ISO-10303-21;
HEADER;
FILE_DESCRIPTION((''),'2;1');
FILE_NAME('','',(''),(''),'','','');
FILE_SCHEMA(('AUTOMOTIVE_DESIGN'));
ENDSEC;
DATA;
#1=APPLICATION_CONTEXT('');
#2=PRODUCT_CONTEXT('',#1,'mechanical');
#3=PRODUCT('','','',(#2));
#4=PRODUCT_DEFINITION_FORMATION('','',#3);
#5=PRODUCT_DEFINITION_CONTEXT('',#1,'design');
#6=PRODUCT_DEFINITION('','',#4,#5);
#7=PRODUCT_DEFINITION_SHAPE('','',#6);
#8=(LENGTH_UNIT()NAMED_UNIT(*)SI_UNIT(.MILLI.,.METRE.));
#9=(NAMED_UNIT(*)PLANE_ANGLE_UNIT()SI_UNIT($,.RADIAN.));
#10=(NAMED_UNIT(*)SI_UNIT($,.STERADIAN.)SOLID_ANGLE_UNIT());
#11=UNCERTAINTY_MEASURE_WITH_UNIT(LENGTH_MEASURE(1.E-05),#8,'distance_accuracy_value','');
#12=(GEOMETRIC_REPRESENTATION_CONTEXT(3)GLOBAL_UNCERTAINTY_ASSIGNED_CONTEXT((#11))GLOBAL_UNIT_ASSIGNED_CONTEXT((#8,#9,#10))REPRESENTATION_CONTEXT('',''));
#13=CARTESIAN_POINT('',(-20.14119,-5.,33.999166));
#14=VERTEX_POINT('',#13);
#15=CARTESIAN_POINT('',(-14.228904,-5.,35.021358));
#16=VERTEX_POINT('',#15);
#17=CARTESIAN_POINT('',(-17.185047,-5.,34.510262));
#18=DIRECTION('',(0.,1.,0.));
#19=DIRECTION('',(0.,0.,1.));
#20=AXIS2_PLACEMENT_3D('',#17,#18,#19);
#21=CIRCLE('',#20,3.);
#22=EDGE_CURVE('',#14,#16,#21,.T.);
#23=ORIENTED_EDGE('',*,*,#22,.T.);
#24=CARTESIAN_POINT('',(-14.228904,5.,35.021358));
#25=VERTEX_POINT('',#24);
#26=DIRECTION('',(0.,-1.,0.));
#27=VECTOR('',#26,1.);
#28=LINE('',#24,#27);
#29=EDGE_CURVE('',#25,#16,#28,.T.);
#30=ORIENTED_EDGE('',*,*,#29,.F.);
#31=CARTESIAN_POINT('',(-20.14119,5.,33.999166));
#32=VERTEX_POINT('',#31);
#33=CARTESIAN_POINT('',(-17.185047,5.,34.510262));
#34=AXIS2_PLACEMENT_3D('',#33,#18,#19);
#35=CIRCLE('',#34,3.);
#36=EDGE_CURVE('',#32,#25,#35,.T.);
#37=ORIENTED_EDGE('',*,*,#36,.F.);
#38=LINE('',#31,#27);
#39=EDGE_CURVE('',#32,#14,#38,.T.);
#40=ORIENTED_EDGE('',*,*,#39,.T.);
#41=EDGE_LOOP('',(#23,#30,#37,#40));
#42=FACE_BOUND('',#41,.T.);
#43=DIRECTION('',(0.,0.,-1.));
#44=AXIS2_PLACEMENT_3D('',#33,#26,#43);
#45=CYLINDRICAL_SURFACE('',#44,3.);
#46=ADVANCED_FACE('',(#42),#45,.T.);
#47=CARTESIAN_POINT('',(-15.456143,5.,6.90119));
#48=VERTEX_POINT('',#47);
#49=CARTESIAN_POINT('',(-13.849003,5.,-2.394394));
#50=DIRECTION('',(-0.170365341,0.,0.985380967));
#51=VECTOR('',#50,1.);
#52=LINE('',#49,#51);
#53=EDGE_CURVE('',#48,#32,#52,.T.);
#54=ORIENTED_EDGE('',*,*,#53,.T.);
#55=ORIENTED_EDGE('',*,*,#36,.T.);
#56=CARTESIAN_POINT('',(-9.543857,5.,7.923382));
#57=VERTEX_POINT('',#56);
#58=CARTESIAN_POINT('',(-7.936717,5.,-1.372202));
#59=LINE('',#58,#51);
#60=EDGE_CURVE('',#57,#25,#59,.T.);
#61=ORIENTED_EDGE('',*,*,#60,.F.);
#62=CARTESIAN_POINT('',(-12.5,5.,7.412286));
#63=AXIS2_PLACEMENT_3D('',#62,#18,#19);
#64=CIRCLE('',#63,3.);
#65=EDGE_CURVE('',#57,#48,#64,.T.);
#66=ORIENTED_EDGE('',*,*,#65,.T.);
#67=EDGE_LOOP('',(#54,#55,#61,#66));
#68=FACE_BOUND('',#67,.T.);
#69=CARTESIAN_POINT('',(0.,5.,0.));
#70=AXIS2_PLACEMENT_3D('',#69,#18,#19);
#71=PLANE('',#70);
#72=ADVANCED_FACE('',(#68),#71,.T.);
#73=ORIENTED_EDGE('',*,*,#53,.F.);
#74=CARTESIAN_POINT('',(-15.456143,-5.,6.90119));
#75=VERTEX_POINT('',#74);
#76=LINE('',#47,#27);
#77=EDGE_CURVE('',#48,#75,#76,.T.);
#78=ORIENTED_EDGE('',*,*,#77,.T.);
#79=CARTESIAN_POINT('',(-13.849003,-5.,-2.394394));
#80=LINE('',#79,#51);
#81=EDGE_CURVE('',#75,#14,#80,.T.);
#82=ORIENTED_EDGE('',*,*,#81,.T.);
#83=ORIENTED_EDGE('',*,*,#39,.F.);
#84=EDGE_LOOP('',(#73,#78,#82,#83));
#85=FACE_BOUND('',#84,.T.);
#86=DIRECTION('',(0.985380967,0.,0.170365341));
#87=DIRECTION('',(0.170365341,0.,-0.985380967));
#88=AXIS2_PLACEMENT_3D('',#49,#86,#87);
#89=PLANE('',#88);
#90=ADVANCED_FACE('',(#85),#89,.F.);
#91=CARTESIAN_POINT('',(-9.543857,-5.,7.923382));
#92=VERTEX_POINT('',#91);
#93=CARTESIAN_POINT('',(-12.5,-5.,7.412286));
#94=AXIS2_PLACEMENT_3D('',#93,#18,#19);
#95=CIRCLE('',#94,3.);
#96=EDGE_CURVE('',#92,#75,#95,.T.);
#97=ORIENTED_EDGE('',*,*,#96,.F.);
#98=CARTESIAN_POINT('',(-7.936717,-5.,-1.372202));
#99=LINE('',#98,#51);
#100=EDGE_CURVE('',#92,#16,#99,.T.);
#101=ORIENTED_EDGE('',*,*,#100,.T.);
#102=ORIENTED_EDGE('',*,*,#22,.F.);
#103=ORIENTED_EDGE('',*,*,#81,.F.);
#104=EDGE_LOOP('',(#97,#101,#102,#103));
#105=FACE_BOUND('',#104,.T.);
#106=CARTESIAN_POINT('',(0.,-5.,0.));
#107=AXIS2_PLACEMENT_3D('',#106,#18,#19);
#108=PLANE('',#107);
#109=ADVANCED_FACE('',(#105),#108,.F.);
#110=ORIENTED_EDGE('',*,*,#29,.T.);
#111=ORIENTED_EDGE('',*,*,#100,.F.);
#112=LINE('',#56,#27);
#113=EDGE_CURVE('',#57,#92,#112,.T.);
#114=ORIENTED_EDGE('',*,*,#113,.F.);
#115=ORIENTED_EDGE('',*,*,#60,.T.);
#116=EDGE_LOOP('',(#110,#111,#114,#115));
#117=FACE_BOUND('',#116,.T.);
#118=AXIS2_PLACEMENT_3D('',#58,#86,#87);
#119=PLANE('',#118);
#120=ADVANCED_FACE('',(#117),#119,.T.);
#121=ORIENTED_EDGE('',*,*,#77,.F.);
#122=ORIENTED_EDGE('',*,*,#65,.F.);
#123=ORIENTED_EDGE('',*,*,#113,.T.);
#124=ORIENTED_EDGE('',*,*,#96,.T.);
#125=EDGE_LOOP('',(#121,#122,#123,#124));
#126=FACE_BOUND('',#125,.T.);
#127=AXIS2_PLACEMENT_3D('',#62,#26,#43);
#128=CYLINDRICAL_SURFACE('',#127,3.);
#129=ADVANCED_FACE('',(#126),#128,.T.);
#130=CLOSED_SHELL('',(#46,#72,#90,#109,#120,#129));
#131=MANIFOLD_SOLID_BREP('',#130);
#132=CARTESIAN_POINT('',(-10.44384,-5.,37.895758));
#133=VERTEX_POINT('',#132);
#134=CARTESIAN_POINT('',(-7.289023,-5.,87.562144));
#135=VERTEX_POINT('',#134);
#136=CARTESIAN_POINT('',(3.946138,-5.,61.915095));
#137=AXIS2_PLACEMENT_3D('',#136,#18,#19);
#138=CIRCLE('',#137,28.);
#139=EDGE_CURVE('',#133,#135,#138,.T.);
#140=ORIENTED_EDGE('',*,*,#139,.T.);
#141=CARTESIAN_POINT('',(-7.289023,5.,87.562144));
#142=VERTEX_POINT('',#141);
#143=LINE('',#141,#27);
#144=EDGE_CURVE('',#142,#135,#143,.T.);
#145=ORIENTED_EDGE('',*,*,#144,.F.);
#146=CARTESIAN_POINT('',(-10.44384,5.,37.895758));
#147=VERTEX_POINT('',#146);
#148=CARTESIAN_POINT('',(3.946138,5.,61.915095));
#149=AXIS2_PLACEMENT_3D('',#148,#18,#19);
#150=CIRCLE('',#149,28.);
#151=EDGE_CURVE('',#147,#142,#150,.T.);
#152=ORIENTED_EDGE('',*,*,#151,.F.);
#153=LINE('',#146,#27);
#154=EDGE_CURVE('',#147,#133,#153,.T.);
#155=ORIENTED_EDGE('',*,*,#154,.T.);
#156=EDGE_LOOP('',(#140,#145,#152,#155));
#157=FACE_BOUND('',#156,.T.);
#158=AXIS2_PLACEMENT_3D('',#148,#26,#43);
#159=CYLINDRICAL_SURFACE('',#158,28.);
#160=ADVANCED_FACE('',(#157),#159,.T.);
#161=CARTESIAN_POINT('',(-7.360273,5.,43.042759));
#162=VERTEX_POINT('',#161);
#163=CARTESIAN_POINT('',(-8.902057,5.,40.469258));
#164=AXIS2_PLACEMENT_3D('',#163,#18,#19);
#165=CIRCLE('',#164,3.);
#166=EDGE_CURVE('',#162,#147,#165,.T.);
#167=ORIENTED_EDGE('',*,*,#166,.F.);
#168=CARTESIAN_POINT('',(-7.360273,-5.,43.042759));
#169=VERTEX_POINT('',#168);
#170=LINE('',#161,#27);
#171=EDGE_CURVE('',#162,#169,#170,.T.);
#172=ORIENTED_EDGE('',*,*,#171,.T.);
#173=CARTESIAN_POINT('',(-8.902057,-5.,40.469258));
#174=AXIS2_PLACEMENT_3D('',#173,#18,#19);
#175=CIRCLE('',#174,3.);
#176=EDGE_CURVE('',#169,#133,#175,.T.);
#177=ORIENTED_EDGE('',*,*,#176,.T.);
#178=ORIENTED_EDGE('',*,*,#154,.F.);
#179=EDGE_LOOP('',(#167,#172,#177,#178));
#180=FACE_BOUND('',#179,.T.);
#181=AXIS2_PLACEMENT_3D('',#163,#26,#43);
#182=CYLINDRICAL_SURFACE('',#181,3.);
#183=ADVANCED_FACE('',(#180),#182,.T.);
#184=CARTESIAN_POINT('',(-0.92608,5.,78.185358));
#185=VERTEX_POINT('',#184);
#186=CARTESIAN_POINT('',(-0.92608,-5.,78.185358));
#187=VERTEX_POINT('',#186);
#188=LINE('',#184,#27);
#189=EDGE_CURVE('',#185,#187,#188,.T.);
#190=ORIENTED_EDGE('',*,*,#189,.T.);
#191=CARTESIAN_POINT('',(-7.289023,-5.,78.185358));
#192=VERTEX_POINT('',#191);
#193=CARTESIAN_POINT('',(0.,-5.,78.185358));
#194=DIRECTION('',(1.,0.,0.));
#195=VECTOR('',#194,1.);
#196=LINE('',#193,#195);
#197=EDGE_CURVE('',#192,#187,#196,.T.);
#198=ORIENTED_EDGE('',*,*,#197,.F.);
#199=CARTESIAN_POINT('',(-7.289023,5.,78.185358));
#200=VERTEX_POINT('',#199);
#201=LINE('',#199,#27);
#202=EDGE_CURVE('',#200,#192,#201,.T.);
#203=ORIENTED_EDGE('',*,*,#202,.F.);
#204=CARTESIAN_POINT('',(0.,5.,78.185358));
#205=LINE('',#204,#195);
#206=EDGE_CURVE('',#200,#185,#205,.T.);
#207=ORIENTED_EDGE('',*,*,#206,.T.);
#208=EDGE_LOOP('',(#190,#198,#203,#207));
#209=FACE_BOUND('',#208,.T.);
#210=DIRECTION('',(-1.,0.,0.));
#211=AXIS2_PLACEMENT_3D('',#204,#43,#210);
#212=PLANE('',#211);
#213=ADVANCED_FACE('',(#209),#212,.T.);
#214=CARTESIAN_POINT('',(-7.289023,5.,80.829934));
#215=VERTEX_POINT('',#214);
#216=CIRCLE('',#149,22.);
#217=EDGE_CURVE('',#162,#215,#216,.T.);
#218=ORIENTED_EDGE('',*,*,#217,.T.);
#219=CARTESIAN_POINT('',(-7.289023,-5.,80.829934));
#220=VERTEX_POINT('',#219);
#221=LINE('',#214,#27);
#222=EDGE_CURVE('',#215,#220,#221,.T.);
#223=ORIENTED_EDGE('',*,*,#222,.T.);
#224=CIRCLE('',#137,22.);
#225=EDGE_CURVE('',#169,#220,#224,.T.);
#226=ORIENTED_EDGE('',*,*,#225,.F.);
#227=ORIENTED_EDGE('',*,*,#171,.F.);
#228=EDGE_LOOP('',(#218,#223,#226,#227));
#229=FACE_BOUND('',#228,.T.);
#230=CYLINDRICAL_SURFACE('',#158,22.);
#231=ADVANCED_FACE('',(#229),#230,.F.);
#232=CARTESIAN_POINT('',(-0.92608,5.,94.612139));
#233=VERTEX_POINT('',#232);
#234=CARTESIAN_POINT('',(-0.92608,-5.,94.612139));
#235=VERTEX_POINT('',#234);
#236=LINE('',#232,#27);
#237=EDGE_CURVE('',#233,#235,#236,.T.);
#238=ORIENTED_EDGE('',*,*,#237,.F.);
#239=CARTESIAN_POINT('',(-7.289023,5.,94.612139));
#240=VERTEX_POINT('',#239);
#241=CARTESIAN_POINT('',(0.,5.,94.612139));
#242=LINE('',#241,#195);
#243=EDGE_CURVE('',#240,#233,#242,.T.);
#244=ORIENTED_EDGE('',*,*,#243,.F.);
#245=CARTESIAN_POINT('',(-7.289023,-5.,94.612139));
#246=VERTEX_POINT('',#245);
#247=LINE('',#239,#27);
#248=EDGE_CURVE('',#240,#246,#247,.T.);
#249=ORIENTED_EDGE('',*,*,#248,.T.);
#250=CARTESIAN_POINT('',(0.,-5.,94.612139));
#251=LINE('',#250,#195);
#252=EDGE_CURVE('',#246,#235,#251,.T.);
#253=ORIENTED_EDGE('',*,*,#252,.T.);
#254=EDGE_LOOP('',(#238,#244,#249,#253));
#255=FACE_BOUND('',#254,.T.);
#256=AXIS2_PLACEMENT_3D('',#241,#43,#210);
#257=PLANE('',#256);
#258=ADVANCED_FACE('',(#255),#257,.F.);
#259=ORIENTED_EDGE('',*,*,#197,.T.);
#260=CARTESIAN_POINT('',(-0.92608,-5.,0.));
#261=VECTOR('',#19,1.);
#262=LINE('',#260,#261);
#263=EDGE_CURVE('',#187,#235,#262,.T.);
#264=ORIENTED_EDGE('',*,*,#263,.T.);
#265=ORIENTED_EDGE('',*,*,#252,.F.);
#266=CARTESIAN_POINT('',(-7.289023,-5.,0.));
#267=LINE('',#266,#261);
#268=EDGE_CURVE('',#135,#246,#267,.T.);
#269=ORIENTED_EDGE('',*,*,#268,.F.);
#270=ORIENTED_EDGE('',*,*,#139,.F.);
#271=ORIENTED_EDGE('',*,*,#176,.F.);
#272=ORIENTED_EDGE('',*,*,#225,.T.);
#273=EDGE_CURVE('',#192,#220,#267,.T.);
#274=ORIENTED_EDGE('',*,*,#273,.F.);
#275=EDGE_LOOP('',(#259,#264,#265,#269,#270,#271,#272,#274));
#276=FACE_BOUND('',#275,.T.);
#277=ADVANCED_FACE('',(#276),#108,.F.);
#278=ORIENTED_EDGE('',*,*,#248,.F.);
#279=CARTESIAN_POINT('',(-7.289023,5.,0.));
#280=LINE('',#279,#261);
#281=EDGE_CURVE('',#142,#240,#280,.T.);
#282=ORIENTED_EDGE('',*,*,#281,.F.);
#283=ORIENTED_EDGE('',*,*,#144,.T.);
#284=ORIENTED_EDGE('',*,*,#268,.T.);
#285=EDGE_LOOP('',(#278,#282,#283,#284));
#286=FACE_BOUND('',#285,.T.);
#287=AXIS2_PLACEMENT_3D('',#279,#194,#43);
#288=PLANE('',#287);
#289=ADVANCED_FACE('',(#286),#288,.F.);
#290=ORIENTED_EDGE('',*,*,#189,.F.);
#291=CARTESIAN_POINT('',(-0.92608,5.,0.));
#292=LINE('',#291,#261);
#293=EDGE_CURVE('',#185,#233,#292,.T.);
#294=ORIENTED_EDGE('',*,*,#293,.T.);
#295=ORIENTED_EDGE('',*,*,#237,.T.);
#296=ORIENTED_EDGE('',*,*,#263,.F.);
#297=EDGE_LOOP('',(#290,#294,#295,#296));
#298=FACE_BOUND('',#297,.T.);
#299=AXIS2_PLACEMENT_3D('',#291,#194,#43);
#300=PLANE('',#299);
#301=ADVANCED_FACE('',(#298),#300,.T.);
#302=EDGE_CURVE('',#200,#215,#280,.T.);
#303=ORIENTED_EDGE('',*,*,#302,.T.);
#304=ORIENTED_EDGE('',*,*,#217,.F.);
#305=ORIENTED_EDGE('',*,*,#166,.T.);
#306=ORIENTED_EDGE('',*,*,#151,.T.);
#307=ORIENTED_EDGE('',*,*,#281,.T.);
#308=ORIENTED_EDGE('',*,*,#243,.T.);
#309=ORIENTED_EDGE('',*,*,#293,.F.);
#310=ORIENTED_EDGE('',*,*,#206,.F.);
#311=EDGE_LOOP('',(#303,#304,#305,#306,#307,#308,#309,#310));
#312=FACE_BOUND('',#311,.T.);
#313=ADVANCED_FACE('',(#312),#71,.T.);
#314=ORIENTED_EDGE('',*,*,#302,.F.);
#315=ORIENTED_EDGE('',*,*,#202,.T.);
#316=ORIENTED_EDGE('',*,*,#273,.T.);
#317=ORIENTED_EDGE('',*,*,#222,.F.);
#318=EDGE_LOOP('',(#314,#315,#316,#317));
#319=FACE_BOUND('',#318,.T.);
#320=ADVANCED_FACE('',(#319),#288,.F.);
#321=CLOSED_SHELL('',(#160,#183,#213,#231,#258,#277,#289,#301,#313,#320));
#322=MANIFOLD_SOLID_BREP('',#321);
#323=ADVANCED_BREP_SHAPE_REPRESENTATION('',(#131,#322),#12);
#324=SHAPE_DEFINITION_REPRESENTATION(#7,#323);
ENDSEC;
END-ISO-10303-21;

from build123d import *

# Parameters (mm, degrees)
BOSS_EXTRUDE1_DEPTH   = 5
BOSS_EXTRUDE1_2_DEPTH = 5


with BuildPart() as part:
    # Sketch1 → Boss-Extrude1 (new, symmetric)
    with BuildSketch(Plane(origin=(0, 0, 0), x_dir=(1, 0, 0), z_dir=(0, 1, 0))):
        with BuildLine():
            ThreePointArc((-9.543857098, -7.923381826), (-11.988903978, -4.456142902), (-15.456142902, -6.901189781))
            Line((-15.456142902, -6.901189781), (-20.141189773, -33.999166382))
            ThreePointArc((-20.141189773, -33.999166382), (-17.696142893, -37.466405306), (-14.228903969, -35.021358426))
            Line((-14.228903969, -35.021358426), (-9.543857098, -7.923381826))
        make_face()
    extrude(amount=BOSS_EXTRUDE1_DEPTH, both=True)


with BuildPart() as body_2:
    # Sketch1 → Boss-Extrude1 2 (new, symmetric)
    with BuildSketch(Plane(origin=(0, 0, 0), x_dir=(1, 0, 0), z_dir=(0, 1, 0))):
        with BuildLine():
            Line((-0.926080019, -78.185358395), (-7.289022858, -78.185358395))
            Line((-7.289022858, -78.185358395), (-7.289022858, -80.829934279))
            ThreePointArc((-7.289022858, -80.829934279), (-18.053822992, -61.956577017), (-7.360273261, -43.042758513))
            ThreePointArc((-7.360273261, -43.042758513), (-6.328556235, -38.927474808), (-10.443839941, -37.895757782))
            ThreePointArc((-10.443839941, -37.895757782), (-23.997545105, -63.690081893), (-7.289022858, -87.562144316))
            Line((-7.289022858, -87.562144316), (-7.289022858, -94.612139396))
            Line((-7.289022858, -94.612139396), (-0.926080019, -94.612139396))
            Line((-0.926080019, -94.612139396), (-0.926080019, -78.185358395))
        make_face()
    extrude(amount=BOSS_EXTRUDE1_2_DEPTH, both=True)


solid = Compound([part.part, body_2.part])
